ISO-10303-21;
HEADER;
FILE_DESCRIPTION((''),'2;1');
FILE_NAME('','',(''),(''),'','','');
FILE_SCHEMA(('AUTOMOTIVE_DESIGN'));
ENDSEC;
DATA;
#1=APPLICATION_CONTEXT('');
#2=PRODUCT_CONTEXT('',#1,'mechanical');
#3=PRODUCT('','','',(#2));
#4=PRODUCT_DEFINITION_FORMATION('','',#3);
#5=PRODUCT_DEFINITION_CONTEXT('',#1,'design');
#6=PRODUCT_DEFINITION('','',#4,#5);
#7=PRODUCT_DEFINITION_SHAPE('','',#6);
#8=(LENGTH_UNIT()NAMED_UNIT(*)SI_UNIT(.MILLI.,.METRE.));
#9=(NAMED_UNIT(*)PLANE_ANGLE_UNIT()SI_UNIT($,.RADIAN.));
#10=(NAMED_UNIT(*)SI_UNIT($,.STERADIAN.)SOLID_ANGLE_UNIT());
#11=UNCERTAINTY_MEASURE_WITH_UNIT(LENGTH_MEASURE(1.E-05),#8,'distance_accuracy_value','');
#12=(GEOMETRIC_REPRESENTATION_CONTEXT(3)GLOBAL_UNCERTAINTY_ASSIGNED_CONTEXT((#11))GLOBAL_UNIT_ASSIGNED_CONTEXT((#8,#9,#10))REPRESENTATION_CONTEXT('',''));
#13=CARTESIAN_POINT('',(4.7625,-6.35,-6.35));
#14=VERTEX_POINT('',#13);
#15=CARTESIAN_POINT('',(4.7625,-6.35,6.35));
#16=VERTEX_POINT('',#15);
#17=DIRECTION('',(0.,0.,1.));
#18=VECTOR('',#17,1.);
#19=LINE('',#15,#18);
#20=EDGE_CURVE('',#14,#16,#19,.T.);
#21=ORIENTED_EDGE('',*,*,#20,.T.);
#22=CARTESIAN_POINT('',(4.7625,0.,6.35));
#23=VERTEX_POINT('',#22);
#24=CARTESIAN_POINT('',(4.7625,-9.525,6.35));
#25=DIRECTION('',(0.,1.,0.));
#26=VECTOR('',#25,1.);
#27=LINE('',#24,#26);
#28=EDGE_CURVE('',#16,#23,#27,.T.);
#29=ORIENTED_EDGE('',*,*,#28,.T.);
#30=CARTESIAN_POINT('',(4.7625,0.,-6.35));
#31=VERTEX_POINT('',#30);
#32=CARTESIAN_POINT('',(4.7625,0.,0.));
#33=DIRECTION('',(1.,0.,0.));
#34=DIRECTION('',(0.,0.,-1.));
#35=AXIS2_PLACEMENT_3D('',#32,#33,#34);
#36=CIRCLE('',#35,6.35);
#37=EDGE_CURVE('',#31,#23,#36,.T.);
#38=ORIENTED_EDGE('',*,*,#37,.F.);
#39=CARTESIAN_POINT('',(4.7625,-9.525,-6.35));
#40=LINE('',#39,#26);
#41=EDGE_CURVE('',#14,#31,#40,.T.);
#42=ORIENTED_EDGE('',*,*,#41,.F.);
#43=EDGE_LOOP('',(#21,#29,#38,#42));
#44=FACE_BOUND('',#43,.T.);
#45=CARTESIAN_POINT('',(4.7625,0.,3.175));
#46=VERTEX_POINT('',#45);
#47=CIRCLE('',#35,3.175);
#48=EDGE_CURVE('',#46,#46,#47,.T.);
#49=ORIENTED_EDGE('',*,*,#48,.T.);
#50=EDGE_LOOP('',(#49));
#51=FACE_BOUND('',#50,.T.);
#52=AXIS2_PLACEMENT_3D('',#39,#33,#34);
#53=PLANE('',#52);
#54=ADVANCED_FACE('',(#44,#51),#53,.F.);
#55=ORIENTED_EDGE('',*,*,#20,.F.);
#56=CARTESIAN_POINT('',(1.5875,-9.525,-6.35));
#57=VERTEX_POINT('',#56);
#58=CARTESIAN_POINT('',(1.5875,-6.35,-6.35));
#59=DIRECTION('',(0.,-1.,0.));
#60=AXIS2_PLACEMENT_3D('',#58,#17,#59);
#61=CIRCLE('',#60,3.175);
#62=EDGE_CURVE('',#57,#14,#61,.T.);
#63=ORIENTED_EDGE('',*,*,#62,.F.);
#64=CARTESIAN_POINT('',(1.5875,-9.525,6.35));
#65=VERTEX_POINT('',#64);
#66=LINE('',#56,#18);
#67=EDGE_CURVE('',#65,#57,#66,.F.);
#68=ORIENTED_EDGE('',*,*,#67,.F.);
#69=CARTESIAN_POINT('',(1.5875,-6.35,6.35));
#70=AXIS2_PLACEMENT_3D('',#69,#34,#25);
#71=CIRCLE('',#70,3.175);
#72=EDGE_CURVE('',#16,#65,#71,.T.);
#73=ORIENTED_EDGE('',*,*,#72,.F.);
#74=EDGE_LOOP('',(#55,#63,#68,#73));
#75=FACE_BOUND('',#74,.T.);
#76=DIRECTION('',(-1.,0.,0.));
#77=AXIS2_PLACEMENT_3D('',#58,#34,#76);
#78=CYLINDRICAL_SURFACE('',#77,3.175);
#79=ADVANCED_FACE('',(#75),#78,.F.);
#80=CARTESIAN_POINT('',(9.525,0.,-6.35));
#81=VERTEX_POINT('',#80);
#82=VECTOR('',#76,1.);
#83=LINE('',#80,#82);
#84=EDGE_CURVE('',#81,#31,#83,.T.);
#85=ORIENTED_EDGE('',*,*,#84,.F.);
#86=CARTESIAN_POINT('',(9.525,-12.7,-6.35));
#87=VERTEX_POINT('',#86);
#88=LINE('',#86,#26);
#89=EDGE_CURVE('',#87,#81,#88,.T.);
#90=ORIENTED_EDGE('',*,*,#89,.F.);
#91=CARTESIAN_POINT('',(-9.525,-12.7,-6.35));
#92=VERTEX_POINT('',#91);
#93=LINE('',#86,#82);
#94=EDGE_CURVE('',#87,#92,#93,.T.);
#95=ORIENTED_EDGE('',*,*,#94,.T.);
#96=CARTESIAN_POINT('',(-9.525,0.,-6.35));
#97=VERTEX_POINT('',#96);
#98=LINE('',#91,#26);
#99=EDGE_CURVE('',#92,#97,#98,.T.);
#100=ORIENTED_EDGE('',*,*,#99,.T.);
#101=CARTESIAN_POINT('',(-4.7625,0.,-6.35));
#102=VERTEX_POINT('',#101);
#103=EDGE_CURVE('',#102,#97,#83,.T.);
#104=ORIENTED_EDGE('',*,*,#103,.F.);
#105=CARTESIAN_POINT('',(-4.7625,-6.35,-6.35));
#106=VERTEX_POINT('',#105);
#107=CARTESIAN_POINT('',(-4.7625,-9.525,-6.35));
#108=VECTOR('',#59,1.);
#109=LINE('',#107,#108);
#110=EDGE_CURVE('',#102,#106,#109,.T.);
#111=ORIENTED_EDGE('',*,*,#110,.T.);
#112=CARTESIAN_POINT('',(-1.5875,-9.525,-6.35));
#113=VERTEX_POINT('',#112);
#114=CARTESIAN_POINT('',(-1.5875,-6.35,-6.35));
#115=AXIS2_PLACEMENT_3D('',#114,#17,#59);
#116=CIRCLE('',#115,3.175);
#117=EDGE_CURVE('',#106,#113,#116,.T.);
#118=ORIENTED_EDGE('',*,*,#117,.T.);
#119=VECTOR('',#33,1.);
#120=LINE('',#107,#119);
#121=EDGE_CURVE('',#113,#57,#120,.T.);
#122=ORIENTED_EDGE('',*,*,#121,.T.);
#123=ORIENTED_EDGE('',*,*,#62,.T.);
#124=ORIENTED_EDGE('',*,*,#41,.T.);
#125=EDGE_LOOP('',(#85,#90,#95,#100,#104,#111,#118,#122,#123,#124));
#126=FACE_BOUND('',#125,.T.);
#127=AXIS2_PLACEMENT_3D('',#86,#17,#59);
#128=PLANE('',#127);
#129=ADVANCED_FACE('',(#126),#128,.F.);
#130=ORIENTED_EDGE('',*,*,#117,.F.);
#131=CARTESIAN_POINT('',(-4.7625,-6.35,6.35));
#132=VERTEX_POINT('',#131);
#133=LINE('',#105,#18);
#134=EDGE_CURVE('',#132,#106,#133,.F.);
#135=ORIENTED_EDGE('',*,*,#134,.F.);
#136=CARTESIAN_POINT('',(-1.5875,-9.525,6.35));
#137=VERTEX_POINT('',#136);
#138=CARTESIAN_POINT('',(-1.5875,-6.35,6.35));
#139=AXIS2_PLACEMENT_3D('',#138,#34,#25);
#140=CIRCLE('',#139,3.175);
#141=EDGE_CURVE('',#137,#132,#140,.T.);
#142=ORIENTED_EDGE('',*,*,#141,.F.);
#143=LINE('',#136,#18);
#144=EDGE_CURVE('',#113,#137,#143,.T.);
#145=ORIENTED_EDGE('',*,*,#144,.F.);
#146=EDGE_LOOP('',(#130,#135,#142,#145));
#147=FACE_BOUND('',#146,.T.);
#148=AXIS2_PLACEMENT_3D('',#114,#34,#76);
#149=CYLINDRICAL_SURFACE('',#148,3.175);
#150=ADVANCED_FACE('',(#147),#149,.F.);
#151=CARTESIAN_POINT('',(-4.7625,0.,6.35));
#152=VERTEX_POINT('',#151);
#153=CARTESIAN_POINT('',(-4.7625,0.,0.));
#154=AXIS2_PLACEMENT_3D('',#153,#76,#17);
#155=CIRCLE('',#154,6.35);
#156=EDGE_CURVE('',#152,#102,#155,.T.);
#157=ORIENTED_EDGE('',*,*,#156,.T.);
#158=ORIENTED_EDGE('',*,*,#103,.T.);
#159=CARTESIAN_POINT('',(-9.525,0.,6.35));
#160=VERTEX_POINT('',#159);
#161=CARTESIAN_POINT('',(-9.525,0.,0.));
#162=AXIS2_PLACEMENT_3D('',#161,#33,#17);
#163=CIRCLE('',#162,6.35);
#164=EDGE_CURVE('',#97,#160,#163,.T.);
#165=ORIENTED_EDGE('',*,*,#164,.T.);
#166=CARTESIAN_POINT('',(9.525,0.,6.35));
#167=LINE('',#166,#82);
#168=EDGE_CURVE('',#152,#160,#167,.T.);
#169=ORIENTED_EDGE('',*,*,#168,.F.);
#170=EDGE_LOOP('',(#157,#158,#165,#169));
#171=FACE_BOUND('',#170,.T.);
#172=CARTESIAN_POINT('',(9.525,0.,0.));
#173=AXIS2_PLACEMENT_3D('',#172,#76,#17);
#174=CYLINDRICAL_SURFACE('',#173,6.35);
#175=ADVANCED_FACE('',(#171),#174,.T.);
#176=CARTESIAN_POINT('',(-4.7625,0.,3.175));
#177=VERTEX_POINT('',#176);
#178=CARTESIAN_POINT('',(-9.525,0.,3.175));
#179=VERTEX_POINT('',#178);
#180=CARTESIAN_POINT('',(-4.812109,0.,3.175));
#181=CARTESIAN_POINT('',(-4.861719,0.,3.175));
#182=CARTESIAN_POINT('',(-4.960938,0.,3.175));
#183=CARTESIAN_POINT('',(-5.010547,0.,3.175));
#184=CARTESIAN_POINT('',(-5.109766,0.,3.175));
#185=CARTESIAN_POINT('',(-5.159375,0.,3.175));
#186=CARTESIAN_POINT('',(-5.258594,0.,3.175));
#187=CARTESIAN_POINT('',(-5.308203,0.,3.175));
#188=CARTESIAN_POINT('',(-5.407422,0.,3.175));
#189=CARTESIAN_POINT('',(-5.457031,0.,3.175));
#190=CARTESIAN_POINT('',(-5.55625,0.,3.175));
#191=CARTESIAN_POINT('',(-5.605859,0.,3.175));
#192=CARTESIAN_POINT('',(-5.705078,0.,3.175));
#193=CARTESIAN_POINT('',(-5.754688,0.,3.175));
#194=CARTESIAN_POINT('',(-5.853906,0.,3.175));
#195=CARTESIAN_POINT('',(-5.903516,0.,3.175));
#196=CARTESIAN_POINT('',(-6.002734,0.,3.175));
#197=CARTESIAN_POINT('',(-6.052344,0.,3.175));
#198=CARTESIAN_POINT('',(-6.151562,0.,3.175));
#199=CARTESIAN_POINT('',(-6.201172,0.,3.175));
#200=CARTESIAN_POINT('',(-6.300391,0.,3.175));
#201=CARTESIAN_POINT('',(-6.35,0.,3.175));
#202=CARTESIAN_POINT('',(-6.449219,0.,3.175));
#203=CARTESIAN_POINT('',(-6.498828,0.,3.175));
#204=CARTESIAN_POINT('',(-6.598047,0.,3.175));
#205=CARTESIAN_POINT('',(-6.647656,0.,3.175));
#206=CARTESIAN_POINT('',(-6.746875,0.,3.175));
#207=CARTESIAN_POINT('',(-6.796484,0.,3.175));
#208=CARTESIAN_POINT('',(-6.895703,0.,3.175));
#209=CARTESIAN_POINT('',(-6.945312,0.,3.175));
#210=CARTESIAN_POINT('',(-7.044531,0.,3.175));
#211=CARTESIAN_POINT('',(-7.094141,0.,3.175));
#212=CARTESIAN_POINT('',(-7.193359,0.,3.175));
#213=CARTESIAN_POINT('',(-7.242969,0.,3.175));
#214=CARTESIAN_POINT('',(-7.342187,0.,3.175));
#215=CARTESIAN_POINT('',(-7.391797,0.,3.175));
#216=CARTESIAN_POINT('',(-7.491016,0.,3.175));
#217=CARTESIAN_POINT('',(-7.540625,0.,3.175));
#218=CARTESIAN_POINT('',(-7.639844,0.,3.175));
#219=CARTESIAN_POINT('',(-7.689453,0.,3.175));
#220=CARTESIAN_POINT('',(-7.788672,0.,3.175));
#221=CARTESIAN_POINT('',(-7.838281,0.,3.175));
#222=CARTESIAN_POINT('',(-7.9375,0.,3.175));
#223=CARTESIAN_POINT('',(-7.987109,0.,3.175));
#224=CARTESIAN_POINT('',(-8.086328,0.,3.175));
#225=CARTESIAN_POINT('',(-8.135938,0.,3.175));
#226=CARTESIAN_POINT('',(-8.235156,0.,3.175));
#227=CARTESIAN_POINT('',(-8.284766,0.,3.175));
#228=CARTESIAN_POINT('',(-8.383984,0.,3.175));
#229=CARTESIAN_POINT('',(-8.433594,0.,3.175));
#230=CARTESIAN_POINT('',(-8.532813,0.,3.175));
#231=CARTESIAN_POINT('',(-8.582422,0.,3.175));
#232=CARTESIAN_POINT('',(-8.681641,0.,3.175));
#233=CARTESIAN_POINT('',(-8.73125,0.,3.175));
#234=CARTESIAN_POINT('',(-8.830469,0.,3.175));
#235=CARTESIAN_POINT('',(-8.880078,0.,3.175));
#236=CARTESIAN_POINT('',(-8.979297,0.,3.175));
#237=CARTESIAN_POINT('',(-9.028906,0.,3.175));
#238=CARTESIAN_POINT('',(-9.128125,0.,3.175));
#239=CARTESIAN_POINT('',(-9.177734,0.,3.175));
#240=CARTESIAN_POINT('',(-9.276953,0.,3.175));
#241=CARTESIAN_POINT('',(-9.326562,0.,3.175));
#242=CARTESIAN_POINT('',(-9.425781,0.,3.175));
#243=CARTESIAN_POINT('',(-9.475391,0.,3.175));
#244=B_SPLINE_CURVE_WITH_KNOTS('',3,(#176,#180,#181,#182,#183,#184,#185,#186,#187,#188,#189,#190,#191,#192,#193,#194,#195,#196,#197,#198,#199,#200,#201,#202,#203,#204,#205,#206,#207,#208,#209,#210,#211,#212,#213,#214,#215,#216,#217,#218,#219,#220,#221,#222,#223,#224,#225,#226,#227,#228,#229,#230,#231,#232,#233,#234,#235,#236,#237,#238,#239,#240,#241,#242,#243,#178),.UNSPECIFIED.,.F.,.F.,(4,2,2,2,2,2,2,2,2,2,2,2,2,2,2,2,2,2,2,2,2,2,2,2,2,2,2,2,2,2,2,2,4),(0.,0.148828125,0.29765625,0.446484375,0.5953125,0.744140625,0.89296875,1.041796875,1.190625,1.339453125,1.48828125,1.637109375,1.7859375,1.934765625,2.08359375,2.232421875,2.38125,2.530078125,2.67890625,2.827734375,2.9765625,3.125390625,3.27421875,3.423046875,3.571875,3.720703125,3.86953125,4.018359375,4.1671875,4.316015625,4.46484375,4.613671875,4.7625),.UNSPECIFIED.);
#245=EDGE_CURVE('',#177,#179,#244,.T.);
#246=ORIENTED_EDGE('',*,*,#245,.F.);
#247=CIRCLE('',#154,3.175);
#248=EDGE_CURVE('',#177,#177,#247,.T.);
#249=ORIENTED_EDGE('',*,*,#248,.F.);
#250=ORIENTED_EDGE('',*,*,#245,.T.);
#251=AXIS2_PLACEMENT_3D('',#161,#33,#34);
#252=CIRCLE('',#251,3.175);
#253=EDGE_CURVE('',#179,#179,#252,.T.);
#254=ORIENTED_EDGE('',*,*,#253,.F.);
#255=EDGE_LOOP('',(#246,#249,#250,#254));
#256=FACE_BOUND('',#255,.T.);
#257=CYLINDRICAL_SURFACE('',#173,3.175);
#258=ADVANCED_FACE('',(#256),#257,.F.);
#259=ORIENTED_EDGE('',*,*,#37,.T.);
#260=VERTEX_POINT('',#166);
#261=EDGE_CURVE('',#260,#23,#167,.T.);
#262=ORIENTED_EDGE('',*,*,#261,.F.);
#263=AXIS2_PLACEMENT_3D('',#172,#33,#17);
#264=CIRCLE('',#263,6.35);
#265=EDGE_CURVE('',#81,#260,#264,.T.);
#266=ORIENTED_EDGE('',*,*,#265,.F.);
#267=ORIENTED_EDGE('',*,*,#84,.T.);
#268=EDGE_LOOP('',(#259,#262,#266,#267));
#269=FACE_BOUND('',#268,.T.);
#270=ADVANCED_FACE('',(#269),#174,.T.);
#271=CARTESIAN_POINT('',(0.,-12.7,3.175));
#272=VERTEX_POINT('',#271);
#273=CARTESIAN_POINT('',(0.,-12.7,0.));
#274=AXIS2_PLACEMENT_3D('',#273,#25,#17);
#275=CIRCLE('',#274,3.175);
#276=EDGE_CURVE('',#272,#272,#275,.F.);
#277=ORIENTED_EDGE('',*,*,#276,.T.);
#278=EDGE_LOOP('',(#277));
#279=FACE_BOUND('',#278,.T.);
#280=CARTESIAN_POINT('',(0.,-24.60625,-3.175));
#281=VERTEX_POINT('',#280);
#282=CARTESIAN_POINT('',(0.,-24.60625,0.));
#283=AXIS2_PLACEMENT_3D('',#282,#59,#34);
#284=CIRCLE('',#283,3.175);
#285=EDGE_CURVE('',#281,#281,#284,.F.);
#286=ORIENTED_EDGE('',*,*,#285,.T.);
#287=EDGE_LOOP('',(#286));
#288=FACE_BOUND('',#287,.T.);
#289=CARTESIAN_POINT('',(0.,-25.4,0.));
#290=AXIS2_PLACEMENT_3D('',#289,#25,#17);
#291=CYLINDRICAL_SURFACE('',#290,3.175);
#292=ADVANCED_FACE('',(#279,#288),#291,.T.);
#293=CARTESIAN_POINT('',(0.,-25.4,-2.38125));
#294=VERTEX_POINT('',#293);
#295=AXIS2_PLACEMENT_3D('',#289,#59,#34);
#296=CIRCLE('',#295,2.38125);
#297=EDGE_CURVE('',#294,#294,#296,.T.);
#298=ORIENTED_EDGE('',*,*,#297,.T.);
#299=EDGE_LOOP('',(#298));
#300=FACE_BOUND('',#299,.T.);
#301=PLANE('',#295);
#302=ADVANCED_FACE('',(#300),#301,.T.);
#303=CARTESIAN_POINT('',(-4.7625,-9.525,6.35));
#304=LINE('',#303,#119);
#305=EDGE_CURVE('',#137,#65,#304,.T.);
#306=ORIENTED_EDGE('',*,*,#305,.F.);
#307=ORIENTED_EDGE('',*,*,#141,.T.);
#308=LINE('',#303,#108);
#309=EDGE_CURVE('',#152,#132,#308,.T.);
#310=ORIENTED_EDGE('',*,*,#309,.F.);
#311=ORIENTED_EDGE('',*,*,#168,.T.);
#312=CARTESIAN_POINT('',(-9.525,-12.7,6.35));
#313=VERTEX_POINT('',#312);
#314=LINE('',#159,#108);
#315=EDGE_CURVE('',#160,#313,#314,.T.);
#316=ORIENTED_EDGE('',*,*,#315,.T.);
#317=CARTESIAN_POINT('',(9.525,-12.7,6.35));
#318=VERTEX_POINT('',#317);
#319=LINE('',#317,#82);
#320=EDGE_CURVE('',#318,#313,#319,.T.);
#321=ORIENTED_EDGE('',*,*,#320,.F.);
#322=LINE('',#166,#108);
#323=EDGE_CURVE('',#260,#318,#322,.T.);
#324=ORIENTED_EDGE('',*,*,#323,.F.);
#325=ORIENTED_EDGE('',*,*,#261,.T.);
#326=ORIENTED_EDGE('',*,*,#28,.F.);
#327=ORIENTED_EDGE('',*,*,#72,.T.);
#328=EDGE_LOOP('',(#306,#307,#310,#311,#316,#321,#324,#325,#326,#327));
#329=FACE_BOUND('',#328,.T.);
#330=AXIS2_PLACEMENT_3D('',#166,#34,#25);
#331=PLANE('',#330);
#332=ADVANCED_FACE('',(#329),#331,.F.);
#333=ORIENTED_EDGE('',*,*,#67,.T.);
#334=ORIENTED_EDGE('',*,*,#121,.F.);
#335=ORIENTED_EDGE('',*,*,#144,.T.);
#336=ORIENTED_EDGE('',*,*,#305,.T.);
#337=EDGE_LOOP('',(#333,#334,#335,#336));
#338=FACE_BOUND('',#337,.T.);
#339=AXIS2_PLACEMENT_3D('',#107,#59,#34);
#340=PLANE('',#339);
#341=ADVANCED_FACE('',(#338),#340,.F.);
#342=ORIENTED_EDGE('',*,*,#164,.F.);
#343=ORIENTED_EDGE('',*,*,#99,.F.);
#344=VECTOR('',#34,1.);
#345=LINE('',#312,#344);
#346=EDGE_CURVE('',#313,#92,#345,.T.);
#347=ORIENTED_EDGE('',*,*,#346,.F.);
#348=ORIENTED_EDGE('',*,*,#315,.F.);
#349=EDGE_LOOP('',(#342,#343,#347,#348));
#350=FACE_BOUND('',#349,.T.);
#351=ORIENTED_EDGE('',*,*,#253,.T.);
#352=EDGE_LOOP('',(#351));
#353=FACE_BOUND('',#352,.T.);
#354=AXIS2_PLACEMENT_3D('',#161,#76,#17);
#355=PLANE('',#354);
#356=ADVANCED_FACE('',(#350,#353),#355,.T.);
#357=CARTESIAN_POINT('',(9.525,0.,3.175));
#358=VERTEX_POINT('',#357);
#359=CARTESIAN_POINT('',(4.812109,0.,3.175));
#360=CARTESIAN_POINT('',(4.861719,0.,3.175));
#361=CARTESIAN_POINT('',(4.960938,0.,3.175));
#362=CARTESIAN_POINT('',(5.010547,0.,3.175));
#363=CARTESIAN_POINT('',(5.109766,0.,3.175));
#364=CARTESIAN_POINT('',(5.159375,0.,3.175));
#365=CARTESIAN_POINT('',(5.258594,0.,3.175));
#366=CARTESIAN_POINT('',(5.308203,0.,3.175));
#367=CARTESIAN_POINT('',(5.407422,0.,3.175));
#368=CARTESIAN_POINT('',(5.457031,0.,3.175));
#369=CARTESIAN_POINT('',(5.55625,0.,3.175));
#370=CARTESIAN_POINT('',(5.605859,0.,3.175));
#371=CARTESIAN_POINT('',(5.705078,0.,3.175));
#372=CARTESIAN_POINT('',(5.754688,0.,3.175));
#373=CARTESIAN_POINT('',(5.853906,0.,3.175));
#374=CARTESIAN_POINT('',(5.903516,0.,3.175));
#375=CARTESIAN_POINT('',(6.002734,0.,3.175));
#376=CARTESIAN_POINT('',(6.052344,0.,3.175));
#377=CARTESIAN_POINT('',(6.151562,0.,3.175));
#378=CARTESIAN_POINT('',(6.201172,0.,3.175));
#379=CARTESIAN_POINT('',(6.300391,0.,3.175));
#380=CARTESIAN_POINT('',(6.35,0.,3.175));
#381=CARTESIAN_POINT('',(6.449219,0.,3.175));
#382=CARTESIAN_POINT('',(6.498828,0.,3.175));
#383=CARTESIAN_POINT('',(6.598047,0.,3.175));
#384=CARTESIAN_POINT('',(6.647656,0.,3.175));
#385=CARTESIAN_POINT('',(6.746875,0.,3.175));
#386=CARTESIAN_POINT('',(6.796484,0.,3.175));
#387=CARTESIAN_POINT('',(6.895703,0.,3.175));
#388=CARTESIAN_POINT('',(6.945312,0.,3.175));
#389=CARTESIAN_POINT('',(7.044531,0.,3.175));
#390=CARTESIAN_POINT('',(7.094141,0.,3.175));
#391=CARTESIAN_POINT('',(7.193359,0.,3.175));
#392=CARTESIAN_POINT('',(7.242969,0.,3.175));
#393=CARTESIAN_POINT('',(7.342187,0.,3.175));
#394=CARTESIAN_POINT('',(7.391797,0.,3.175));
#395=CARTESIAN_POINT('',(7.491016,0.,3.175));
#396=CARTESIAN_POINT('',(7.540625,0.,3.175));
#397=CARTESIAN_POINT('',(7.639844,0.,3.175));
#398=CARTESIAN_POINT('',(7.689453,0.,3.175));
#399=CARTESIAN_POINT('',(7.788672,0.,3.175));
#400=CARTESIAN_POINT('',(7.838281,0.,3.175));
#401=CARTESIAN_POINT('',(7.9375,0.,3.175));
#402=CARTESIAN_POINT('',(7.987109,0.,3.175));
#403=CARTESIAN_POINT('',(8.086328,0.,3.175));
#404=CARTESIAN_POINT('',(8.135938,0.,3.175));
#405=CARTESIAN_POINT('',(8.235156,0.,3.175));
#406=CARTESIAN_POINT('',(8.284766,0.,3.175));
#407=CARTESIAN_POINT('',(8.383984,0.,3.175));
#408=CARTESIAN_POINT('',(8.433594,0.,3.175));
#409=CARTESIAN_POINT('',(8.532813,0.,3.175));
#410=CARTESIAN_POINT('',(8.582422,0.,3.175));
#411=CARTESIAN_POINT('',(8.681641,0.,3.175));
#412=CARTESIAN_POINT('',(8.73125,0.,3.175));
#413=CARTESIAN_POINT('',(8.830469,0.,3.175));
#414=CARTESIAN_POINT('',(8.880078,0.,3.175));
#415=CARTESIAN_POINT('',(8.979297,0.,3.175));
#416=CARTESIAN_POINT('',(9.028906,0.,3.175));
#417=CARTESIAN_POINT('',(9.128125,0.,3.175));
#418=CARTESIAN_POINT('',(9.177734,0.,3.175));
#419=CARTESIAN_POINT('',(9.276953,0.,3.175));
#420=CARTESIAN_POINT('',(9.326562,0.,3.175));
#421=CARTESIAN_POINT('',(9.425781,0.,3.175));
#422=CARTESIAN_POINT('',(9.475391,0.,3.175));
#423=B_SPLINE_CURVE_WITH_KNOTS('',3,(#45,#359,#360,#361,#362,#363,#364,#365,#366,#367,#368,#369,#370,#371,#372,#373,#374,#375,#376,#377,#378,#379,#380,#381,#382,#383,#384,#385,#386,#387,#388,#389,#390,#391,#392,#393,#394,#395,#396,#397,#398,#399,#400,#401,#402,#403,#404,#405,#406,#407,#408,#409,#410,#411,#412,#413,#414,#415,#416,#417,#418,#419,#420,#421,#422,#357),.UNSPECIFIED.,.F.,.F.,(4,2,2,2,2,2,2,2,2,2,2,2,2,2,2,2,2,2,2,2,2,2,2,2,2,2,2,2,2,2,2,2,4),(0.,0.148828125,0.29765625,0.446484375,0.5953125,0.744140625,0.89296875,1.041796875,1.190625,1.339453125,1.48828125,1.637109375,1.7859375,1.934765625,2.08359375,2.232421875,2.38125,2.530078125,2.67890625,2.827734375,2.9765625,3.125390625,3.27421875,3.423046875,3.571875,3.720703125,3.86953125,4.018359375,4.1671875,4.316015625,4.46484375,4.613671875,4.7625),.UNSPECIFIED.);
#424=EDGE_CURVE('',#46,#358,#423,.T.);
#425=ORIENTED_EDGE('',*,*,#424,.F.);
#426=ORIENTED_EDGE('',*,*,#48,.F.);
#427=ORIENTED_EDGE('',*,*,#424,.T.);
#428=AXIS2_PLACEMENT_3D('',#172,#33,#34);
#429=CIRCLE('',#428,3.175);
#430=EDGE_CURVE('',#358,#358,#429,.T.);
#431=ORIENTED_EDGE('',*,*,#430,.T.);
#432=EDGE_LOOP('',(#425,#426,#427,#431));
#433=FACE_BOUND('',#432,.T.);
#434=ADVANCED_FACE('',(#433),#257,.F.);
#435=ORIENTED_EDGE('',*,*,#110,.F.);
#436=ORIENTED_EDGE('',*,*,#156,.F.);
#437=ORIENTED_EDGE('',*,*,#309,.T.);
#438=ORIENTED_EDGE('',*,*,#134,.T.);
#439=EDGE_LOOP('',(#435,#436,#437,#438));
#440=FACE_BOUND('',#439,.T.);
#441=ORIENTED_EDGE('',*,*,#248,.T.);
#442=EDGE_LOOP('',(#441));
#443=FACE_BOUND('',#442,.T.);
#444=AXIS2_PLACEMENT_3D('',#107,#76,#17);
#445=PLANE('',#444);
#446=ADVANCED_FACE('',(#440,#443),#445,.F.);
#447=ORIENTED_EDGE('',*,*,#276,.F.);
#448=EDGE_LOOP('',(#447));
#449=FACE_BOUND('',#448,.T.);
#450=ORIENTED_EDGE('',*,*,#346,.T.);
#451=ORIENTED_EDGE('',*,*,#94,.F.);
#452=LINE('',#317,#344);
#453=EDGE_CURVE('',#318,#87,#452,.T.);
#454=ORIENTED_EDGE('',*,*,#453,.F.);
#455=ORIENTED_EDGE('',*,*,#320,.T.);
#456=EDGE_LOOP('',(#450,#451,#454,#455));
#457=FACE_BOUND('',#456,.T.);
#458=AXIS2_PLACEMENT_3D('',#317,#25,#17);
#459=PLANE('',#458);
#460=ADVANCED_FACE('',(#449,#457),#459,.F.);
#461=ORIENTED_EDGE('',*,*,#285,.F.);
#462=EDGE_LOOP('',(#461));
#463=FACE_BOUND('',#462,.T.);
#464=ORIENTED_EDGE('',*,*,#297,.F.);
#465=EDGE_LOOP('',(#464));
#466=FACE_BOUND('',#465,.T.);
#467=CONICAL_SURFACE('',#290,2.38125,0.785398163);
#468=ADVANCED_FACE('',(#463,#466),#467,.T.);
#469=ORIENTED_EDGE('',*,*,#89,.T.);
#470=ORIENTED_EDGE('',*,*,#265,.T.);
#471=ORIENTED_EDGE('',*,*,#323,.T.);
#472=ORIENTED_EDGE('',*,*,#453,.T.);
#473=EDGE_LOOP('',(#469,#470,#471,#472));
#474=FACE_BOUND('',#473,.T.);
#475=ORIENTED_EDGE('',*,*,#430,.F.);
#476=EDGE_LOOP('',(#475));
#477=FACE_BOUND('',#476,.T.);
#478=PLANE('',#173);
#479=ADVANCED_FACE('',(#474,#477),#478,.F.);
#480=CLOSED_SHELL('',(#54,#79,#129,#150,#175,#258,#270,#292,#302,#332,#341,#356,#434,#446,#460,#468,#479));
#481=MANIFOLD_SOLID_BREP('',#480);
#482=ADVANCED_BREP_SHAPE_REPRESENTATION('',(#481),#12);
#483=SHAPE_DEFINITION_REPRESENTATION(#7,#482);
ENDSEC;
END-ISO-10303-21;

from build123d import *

# Parameters (mm, degrees)
SKETCH1_R               = 3.175
BOSS_EXTRUDE1_DEPTH     = 9.525
SKETCH2_R               = 3.175
BOSS_EXTRUDE2_DEPTH     = 12.7
CHAMFER1_SIZE           = 0.79375
CUT_EXTRUDE1_DEPTH      = 28.86051193
CUT_EXTRUDE1_DEPTH_BACK = 28.86051193
SKETCH3_W               = 9.525
SKETCH3_H               = 15.875
FILLET1_R               = 3.175


with BuildPart() as part:
    # Sketch1 → Boss-Extrude1 (new, symmetric)
    with BuildSketch(Plane(origin=(0, 0, 0), x_dir=(0, 0, -1), z_dir=(1, 0, 0))):
        with BuildLine():
            Line((-6.35, 0), (-6.35, -12.7))
            Line((-6.35, -12.7), (6.35, -12.7))
            Line((6.35, -12.7), (6.35, 0))
            ThreePointArc((6.35, 0), (0, 6.35), (-6.35, 0))
        make_face()
        with Locations(Location((0, 0, 0), (0, 0, 180))):
            Circle(SKETCH1_R, mode=Mode.SUBTRACT)
    extrude(amount=BOSS_EXTRUDE1_DEPTH, both=True)

    # Sketch2 → Boss-Extrude2 (add)
    with BuildSketch(Plane.XZ.offset(12.7)):
        with Locations(Location((0, 0, 0), (0, 0, 90))):
            Circle(SKETCH2_R)
    extrude(amount=BOSS_EXTRUDE2_DEPTH)

    # Chamfer1
    chamfer1_edges = [part.edges().sort_by_distance(p)[0] for p in [
        (0, -25.4, -3.175),
    ]]
    chamfer(chamfer1_edges, length=CHAMFER1_SIZE)

    # Sketch3 → Cut-Extrude1 (cut, two sides: drawn at the far end of the back side and taken through both)
    with BuildSketch(Plane.XY.offset(-CUT_EXTRUDE1_DEPTH_BACK)):
        with Locations((0, -1.5875)):
            Rectangle(SKETCH3_W, SKETCH3_H)
    extrude(amount=CUT_EXTRUDE1_DEPTH + CUT_EXTRUDE1_DEPTH_BACK, mode=Mode.SUBTRACT)

    # Fillet1
    fillet1_edges = [part.edges().sort_by_distance(p)[0] for p in [
        (-4.7625, -9.525, 0),
        (4.7625, -9.525, 0),
    ]]
    fillet(fillet1_edges, radius=FILLET1_R)


solid = part.part
